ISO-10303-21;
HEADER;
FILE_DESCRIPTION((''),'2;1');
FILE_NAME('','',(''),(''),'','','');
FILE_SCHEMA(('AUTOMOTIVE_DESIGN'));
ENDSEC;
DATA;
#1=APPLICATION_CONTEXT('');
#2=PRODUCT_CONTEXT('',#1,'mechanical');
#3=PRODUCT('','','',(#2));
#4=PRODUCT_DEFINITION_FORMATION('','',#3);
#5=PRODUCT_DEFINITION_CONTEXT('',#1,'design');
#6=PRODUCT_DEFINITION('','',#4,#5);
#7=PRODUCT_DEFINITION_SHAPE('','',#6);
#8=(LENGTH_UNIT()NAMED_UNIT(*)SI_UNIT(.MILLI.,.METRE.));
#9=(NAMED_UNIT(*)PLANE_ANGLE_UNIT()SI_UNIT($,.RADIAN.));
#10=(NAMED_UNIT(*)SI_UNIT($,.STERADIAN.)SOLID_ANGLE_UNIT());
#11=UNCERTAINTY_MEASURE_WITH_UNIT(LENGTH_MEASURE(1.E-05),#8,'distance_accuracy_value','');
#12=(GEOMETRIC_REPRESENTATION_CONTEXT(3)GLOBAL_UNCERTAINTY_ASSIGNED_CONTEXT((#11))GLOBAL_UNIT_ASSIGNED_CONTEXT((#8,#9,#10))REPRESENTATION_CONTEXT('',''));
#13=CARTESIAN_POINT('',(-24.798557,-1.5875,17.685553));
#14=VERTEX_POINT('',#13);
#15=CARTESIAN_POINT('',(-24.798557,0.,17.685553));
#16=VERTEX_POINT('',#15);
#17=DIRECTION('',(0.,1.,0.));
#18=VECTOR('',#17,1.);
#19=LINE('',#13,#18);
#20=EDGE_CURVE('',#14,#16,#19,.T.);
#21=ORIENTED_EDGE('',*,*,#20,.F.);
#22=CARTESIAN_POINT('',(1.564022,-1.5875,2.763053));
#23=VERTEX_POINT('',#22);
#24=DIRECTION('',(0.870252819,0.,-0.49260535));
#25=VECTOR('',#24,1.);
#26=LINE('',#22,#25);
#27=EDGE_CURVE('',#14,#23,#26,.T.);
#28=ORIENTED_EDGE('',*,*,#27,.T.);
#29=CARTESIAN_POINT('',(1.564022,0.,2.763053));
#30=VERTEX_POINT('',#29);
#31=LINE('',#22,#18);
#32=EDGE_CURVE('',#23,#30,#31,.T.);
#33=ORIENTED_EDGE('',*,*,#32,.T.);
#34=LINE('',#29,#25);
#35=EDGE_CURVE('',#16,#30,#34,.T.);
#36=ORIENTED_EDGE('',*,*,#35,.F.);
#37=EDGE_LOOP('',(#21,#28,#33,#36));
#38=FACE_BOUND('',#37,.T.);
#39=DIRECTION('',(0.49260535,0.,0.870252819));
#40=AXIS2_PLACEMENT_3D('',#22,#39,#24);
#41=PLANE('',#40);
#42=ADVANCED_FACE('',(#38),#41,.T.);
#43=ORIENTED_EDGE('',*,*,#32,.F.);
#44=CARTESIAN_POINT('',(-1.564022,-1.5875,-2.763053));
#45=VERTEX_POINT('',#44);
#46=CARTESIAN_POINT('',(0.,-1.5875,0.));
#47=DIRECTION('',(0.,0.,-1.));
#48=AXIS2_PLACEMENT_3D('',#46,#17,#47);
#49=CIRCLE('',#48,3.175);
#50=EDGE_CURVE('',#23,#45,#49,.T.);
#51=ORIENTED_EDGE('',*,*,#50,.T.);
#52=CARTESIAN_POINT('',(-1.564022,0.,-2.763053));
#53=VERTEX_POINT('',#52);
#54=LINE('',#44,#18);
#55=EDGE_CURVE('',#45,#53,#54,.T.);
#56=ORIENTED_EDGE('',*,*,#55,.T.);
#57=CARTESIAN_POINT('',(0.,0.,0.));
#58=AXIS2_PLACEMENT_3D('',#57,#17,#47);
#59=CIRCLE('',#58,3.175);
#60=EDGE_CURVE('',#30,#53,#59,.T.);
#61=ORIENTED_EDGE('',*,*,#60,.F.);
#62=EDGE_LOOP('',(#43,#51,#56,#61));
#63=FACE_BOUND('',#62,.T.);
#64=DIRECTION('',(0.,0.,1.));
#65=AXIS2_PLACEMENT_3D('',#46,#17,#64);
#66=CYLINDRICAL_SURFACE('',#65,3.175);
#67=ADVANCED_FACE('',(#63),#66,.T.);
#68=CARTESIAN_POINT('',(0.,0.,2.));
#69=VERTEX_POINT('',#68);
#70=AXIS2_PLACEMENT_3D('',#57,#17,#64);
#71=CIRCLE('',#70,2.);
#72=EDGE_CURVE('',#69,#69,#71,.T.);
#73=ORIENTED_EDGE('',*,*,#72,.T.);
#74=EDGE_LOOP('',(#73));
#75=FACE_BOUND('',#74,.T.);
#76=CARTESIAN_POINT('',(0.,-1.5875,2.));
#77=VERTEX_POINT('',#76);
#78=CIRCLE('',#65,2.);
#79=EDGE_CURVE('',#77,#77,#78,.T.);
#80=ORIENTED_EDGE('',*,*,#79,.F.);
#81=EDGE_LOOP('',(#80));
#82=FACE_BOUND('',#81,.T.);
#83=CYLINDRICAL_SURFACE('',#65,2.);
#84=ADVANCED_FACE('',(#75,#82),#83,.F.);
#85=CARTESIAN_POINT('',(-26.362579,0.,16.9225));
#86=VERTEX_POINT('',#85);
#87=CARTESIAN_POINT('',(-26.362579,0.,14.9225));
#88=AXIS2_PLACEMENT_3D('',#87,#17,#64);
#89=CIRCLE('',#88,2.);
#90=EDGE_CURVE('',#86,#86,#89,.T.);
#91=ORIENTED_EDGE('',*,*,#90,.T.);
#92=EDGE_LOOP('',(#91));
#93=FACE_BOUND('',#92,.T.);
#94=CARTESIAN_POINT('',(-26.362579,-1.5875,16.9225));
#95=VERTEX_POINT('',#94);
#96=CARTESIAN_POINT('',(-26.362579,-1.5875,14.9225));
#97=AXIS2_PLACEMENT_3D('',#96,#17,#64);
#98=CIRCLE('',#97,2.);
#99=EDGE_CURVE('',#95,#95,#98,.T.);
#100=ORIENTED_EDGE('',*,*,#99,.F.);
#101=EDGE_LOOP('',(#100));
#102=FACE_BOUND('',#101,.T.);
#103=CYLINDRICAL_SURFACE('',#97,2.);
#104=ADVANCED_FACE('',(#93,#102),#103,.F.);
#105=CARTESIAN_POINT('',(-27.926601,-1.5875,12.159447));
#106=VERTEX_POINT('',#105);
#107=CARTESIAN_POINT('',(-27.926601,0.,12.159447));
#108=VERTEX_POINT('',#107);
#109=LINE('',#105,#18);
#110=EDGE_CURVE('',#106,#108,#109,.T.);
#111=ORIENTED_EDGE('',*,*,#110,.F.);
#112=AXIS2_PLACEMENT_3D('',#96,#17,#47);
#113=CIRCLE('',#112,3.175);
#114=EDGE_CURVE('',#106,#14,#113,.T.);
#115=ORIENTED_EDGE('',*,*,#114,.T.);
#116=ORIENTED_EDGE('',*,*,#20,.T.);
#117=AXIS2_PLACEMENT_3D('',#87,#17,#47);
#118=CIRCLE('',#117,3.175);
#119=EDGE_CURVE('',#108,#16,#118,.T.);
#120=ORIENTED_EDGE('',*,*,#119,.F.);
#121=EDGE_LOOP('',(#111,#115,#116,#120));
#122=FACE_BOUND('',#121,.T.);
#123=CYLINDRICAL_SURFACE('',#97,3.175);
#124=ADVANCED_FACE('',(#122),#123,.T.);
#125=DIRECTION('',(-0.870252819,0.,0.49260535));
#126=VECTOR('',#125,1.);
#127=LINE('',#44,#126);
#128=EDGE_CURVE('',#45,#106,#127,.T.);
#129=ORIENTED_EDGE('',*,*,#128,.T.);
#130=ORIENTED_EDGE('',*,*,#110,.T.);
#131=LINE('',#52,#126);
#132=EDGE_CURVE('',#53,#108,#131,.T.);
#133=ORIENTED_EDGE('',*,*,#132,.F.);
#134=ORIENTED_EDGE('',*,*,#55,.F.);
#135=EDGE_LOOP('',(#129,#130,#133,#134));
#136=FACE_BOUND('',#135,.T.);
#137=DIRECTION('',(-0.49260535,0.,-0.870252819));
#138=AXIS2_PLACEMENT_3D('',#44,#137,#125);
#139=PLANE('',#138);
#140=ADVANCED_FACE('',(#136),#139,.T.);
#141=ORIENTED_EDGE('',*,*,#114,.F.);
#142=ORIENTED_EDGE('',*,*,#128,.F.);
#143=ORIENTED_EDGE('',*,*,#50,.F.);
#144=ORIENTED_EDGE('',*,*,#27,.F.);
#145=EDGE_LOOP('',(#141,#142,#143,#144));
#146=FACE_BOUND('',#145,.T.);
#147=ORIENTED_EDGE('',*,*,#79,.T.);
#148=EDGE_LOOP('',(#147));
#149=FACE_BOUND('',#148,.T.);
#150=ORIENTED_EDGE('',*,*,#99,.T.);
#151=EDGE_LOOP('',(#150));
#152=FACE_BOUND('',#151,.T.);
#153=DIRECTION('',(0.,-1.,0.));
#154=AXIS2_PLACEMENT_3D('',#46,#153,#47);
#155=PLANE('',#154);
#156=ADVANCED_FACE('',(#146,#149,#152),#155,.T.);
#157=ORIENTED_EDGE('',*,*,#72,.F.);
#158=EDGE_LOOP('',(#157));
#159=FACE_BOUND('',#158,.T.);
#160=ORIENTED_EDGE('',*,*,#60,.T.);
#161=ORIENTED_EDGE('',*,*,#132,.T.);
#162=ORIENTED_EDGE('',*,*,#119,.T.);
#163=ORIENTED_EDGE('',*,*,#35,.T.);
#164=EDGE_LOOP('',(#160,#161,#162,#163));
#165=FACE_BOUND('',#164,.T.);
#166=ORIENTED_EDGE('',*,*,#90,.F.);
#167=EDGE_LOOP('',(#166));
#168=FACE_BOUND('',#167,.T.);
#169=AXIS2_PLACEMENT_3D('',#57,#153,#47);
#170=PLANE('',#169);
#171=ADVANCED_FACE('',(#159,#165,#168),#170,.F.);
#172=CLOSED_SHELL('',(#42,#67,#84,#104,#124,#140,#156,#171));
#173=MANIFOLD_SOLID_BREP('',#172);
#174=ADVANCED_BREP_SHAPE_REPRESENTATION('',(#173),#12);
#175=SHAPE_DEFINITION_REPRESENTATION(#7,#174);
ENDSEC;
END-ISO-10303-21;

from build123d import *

# Parameters (mm, degrees)
SKETCH1_R           = 2
BOSS_EXTRUDE1_DEPTH = 1.5875


with BuildPart() as part:
    # Sketch1 → Boss-Extrude1 (new body)
    with BuildSketch(Plane(origin=(0, 0, 0), x_dir=(1, 0, 0), z_dir=(0, 1, 0))):
        with BuildLine():
            Line((1.564021986, -2.763052701), (-24.798557496, -17.685552701))
            ThreePointArc((-24.798557496, -17.685552701), (-29.125632183, -16.486521986), (-27.926601468, -12.159447299))
            Line((-27.926601468, -12.159447299), (-1.564021986, 2.763052701))
            ThreePointArc((-1.564021986, 2.763052701), (2.763052701, 1.564021986), (1.564021986, -2.763052701))
        make_face()
        with Locations(Location((0, 0, 0), (0, 0, 270))):
            Circle(SKETCH1_R, mode=Mode.SUBTRACT)
        with Locations(Location((-26.362579482, -14.9225, 0), (0, 0, 270))):
            Circle(SKETCH1_R, mode=Mode.SUBTRACT)
    extrude(amount=-BOSS_EXTRUDE1_DEPTH)


solid = part.part
